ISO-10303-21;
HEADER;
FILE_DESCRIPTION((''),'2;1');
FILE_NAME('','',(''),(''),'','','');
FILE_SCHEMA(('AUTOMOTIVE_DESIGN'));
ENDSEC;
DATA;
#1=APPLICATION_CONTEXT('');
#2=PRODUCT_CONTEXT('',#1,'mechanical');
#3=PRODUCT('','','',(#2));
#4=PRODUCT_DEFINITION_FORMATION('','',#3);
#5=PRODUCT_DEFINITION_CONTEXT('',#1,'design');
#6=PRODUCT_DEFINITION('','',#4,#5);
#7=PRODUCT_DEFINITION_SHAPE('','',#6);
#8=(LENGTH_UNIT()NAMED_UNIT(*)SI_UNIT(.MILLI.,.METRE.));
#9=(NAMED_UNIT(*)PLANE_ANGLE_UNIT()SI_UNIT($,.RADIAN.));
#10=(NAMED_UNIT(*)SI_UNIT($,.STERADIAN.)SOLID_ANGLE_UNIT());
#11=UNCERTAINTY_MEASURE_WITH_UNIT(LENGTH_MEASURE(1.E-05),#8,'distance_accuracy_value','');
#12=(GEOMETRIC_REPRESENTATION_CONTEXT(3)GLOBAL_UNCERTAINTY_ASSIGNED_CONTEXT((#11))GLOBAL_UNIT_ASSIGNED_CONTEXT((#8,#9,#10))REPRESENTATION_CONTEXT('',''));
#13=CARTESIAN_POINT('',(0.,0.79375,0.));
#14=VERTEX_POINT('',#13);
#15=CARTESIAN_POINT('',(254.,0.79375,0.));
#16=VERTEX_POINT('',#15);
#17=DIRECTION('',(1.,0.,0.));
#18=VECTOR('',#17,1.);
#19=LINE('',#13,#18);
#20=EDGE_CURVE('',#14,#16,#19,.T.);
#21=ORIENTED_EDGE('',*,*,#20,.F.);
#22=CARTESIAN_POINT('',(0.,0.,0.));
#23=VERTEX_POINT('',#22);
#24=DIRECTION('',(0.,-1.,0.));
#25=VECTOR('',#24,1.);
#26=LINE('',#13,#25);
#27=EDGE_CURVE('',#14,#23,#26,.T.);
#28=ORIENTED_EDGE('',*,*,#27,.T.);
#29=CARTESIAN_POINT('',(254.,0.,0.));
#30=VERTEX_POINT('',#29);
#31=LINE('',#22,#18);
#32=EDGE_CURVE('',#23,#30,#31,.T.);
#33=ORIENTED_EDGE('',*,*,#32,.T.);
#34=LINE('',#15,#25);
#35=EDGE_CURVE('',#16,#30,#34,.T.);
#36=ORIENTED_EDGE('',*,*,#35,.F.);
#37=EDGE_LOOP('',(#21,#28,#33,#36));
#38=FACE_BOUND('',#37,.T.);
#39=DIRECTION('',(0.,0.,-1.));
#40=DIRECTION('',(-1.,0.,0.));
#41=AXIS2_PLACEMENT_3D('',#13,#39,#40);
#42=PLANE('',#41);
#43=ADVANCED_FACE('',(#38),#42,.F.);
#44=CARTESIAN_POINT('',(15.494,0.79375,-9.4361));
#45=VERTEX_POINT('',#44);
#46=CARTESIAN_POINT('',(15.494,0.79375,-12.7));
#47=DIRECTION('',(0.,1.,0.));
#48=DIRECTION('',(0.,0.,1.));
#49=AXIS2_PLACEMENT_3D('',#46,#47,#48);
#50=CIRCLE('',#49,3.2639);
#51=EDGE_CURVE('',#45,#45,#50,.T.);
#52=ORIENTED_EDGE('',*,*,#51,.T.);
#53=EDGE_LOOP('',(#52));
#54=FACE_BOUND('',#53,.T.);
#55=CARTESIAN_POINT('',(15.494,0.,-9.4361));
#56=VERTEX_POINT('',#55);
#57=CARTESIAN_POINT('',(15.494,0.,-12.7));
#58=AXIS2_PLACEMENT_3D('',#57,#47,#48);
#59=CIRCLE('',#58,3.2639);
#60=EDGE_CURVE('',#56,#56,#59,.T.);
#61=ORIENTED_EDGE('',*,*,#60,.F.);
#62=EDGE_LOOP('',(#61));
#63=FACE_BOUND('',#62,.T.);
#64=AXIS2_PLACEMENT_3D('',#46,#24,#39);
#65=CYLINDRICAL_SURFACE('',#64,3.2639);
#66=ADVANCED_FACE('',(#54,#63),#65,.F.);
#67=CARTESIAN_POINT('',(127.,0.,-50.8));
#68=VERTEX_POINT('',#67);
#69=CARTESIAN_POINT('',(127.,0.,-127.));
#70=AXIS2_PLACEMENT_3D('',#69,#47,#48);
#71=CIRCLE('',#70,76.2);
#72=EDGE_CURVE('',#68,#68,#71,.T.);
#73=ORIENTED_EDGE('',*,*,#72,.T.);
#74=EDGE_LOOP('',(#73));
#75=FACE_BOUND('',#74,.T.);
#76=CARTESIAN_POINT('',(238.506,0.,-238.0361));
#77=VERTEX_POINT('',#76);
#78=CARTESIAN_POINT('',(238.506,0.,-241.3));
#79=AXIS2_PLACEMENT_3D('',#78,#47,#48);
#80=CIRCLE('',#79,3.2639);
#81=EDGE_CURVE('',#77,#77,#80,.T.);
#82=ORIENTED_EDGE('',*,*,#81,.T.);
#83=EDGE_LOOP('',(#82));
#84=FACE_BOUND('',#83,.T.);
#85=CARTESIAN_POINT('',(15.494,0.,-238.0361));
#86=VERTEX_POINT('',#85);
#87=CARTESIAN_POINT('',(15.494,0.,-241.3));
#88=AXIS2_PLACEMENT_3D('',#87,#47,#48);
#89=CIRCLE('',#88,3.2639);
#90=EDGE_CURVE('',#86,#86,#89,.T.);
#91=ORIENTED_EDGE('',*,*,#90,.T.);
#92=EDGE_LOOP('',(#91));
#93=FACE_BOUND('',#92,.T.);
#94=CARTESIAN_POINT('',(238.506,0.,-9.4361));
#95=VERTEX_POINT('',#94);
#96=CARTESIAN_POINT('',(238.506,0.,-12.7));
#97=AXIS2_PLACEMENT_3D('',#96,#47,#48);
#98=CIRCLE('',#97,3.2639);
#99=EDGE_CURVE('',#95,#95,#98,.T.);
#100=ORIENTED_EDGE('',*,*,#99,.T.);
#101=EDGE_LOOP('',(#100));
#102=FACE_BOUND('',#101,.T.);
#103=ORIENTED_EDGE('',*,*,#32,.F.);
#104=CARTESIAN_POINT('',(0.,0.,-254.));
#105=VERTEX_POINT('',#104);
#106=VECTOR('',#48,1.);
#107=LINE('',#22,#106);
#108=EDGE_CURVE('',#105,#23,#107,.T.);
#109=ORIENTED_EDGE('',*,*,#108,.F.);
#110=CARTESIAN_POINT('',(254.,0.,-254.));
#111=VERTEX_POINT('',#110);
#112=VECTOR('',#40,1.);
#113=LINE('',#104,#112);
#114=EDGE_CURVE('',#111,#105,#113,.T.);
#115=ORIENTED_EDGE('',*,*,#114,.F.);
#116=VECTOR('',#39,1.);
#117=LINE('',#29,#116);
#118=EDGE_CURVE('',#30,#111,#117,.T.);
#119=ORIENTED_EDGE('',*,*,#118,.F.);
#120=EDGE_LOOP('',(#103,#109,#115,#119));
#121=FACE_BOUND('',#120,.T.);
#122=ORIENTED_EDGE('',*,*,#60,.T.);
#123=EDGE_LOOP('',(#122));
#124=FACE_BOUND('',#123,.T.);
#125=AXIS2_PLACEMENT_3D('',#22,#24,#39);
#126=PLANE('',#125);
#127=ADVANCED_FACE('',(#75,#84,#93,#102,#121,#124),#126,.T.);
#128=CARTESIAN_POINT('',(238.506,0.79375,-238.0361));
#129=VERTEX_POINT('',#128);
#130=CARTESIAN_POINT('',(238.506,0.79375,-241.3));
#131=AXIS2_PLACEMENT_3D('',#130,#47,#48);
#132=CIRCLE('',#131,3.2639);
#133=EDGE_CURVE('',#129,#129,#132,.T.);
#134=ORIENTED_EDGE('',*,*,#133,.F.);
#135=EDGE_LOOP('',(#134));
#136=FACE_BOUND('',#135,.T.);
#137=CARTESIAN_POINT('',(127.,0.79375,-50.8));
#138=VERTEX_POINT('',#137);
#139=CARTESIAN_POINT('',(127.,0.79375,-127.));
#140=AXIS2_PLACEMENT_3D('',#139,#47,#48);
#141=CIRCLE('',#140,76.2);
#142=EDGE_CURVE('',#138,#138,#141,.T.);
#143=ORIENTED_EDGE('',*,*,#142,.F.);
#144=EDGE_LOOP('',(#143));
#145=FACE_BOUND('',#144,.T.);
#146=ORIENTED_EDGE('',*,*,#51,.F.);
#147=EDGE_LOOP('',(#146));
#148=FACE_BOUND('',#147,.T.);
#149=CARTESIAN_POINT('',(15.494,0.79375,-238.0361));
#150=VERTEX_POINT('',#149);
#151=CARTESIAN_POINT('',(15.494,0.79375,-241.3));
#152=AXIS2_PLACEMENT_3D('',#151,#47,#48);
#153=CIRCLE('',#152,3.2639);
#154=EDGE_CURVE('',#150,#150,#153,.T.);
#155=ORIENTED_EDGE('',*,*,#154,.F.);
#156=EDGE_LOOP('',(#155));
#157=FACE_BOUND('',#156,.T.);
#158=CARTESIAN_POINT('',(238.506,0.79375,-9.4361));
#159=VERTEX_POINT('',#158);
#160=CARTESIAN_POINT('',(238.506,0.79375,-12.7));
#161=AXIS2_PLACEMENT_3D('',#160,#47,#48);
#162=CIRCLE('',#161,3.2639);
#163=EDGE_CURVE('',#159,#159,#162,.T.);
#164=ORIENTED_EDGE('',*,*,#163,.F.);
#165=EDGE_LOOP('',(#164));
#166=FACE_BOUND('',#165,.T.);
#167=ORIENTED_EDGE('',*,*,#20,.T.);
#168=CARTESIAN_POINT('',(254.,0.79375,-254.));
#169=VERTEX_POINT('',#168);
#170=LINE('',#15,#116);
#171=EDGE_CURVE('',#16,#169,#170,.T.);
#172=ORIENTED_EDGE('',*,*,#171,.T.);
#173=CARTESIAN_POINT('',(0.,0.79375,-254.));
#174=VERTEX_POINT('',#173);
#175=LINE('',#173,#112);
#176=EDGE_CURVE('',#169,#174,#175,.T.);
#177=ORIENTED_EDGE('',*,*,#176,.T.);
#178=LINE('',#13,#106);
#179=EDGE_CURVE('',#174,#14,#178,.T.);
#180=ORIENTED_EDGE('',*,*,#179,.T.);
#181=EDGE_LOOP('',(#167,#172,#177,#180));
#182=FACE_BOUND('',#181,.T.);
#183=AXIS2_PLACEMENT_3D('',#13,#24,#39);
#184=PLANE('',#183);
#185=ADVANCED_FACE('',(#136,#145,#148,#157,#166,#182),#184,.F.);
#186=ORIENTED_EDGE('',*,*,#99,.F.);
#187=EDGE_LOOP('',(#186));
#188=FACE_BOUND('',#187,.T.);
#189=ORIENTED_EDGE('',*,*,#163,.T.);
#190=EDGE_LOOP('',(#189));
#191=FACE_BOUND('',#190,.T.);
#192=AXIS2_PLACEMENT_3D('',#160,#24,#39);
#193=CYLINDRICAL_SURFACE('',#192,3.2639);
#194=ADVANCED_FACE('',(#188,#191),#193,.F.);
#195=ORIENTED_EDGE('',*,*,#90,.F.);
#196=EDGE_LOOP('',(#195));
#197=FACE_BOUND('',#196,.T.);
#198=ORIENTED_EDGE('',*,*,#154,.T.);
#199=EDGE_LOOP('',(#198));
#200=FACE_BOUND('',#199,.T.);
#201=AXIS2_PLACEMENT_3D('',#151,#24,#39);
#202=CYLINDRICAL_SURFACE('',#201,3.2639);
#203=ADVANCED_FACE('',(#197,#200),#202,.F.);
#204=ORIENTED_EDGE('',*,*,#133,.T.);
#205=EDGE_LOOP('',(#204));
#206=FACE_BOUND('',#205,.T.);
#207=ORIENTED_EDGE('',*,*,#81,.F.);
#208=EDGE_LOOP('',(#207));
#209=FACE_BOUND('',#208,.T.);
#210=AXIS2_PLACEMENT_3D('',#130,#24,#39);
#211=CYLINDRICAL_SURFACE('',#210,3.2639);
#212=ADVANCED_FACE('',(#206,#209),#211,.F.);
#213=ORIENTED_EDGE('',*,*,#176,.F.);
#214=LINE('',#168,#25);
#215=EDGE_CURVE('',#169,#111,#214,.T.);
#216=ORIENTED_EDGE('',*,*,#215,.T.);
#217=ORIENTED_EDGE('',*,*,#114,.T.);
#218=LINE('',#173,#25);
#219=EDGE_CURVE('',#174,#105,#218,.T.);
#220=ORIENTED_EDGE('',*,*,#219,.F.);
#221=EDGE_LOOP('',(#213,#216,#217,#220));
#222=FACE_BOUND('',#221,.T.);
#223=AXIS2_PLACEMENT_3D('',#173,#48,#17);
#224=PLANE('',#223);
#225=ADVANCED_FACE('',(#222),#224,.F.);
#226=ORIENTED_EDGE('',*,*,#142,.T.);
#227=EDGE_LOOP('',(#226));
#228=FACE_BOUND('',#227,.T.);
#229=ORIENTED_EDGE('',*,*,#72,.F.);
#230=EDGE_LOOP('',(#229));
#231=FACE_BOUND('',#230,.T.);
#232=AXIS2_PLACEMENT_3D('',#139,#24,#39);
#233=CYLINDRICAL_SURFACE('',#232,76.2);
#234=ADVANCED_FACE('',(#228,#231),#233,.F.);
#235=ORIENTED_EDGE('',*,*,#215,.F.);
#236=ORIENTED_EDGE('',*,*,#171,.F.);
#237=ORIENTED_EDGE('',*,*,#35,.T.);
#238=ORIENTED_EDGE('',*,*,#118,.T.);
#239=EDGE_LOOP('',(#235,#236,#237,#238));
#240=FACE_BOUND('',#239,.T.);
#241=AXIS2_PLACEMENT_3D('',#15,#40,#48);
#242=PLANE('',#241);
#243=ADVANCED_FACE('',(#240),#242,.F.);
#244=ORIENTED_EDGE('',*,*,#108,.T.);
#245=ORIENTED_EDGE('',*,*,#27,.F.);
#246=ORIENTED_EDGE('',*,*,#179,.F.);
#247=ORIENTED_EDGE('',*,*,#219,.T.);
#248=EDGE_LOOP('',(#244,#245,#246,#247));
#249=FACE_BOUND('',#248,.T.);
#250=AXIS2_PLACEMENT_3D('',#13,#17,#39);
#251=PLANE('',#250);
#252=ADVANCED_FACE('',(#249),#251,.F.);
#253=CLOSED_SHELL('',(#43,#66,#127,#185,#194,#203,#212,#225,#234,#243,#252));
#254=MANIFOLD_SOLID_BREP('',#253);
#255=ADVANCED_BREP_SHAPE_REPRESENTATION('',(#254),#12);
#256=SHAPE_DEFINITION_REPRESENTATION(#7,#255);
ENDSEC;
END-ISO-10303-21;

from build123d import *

# Parameters (mm, degrees)
SKETCH1_W           = 254
SKETCH1_H           = 254
SKETCH1_R           = 3.2639
SKETCH1_R_2         = 76.2
BOSS_EXTRUDE1_DEPTH = 0.79375


with BuildPart() as part:
    # Sketch1 → Boss-Extrude1 (new body)
    with BuildSketch(Plane(origin=(0, 0, 0), x_dir=(1, 0, 0), z_dir=(0, 1, 0))):
        with Locations((127, 127)):
            Rectangle(SKETCH1_W, SKETCH1_H)
        with Locations(Location((15.494, 241.3, 0), (0, 0, 270))):
            Circle(SKETCH1_R, mode=Mode.SUBTRACT)
        with Locations(Location((238.506, 241.3, 0), (0, 0, 270))):
            Circle(SKETCH1_R, mode=Mode.SUBTRACT)
        with Locations(Location((238.506, 12.7, 0), (0, 0, 270))):
            Circle(SKETCH1_R, mode=Mode.SUBTRACT)
        with Locations(Location((15.494, 12.7, 0), (0, 0, 270))):
            Circle(SKETCH1_R, mode=Mode.SUBTRACT)
        with Locations(Location((127, 127, 0), (0, 0, 270))):
            Circle(SKETCH1_R_2, mode=Mode.SUBTRACT)
    extrude(amount=BOSS_EXTRUDE1_DEPTH)


solid = part.part
